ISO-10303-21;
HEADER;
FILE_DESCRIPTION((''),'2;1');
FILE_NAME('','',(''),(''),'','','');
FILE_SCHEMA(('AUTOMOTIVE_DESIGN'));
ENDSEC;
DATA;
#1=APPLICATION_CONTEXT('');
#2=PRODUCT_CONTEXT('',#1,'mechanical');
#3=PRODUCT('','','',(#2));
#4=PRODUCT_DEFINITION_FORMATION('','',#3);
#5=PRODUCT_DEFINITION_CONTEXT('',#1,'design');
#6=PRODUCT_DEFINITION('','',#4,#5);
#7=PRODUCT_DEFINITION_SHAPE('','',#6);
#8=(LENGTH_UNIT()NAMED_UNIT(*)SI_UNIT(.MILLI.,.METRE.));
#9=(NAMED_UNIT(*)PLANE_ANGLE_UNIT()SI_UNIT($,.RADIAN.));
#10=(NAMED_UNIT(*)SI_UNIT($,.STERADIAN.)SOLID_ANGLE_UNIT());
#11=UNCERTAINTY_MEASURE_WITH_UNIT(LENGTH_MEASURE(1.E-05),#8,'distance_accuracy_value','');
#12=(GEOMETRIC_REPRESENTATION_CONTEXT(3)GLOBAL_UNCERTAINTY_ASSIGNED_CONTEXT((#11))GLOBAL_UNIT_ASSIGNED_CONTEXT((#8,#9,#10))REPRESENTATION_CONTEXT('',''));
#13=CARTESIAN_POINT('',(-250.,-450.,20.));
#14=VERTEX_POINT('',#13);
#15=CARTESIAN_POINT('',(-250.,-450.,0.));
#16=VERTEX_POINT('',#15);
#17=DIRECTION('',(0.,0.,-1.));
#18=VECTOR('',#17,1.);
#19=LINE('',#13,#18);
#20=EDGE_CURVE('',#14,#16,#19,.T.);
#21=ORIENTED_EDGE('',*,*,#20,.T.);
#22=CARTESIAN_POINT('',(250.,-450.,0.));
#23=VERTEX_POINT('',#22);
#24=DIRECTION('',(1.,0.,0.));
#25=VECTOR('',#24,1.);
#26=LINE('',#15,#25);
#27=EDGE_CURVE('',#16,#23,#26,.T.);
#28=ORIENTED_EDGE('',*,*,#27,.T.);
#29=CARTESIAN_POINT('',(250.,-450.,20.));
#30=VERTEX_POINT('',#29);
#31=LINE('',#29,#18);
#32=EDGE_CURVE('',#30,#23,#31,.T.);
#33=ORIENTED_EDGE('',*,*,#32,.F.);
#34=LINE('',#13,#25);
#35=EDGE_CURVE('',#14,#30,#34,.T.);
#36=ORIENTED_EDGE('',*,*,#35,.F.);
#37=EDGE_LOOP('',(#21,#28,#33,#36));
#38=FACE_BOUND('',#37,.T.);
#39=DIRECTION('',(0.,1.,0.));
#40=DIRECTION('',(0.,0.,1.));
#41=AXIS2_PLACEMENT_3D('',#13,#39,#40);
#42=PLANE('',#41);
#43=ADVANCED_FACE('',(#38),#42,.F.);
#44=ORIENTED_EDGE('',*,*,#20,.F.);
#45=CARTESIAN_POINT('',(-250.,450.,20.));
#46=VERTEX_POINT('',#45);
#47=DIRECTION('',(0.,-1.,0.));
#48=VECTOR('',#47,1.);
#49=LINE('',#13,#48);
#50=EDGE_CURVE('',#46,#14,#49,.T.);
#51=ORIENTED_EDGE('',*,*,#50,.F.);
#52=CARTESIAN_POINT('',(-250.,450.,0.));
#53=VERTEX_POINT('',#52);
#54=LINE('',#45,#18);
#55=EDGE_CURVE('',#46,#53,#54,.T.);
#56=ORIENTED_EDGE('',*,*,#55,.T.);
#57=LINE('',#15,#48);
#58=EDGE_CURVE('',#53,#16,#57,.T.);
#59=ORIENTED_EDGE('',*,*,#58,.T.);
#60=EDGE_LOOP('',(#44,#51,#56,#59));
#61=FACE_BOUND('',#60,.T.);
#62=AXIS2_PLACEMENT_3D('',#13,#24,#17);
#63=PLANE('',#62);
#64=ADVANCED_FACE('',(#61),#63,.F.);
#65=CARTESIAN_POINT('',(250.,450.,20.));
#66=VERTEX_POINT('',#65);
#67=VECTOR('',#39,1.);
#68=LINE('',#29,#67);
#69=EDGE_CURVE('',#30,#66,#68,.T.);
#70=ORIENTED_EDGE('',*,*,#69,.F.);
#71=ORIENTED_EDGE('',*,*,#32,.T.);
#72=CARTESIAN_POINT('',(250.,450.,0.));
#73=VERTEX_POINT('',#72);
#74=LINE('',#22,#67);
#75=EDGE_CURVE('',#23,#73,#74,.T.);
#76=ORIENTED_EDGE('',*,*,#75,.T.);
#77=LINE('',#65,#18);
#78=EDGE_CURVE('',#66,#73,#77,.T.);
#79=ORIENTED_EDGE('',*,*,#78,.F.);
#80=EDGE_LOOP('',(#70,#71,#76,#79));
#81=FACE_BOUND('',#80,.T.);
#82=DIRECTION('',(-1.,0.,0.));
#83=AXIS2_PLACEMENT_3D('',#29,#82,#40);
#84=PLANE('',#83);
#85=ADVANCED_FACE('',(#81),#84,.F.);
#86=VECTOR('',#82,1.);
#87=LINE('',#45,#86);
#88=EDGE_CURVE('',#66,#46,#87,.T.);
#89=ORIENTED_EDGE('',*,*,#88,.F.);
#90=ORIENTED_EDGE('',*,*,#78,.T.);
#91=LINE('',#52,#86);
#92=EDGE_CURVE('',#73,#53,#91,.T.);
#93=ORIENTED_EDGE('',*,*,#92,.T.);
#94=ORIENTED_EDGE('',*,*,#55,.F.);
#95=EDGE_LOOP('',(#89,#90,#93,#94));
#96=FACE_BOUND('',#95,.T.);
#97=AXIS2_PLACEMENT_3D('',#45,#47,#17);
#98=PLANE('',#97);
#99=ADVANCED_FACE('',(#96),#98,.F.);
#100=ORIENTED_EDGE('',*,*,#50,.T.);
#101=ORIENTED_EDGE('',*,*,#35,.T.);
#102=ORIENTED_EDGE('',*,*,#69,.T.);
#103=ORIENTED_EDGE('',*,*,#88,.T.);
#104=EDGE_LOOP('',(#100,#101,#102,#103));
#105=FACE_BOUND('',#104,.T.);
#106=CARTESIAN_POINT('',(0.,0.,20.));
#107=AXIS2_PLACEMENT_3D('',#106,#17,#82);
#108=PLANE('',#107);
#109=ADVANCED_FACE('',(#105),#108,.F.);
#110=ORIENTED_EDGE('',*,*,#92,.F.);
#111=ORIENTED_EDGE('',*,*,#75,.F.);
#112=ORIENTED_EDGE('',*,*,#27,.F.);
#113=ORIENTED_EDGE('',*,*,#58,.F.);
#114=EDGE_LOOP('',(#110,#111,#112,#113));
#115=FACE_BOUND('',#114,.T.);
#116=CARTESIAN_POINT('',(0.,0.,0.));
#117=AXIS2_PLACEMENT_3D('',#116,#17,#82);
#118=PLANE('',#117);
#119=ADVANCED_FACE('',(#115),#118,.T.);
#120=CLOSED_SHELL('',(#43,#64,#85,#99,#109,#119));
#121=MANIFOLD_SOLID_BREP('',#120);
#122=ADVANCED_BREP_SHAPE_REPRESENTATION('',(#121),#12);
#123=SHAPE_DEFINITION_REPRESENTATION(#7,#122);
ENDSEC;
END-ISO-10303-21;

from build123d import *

# Parameters (mm, degrees)
SKETCH1_W           = 500
SKETCH1_H           = 900
BOSS_EXTRUDE1_DEPTH = 20


with BuildPart() as part:
    # Sketch1 → Boss-Extrude1 (new body)
    with BuildSketch(Plane.XY):
        Rectangle(SKETCH1_W, SKETCH1_H)
    extrude(amount=BOSS_EXTRUDE1_DEPTH)


solid = part.part
